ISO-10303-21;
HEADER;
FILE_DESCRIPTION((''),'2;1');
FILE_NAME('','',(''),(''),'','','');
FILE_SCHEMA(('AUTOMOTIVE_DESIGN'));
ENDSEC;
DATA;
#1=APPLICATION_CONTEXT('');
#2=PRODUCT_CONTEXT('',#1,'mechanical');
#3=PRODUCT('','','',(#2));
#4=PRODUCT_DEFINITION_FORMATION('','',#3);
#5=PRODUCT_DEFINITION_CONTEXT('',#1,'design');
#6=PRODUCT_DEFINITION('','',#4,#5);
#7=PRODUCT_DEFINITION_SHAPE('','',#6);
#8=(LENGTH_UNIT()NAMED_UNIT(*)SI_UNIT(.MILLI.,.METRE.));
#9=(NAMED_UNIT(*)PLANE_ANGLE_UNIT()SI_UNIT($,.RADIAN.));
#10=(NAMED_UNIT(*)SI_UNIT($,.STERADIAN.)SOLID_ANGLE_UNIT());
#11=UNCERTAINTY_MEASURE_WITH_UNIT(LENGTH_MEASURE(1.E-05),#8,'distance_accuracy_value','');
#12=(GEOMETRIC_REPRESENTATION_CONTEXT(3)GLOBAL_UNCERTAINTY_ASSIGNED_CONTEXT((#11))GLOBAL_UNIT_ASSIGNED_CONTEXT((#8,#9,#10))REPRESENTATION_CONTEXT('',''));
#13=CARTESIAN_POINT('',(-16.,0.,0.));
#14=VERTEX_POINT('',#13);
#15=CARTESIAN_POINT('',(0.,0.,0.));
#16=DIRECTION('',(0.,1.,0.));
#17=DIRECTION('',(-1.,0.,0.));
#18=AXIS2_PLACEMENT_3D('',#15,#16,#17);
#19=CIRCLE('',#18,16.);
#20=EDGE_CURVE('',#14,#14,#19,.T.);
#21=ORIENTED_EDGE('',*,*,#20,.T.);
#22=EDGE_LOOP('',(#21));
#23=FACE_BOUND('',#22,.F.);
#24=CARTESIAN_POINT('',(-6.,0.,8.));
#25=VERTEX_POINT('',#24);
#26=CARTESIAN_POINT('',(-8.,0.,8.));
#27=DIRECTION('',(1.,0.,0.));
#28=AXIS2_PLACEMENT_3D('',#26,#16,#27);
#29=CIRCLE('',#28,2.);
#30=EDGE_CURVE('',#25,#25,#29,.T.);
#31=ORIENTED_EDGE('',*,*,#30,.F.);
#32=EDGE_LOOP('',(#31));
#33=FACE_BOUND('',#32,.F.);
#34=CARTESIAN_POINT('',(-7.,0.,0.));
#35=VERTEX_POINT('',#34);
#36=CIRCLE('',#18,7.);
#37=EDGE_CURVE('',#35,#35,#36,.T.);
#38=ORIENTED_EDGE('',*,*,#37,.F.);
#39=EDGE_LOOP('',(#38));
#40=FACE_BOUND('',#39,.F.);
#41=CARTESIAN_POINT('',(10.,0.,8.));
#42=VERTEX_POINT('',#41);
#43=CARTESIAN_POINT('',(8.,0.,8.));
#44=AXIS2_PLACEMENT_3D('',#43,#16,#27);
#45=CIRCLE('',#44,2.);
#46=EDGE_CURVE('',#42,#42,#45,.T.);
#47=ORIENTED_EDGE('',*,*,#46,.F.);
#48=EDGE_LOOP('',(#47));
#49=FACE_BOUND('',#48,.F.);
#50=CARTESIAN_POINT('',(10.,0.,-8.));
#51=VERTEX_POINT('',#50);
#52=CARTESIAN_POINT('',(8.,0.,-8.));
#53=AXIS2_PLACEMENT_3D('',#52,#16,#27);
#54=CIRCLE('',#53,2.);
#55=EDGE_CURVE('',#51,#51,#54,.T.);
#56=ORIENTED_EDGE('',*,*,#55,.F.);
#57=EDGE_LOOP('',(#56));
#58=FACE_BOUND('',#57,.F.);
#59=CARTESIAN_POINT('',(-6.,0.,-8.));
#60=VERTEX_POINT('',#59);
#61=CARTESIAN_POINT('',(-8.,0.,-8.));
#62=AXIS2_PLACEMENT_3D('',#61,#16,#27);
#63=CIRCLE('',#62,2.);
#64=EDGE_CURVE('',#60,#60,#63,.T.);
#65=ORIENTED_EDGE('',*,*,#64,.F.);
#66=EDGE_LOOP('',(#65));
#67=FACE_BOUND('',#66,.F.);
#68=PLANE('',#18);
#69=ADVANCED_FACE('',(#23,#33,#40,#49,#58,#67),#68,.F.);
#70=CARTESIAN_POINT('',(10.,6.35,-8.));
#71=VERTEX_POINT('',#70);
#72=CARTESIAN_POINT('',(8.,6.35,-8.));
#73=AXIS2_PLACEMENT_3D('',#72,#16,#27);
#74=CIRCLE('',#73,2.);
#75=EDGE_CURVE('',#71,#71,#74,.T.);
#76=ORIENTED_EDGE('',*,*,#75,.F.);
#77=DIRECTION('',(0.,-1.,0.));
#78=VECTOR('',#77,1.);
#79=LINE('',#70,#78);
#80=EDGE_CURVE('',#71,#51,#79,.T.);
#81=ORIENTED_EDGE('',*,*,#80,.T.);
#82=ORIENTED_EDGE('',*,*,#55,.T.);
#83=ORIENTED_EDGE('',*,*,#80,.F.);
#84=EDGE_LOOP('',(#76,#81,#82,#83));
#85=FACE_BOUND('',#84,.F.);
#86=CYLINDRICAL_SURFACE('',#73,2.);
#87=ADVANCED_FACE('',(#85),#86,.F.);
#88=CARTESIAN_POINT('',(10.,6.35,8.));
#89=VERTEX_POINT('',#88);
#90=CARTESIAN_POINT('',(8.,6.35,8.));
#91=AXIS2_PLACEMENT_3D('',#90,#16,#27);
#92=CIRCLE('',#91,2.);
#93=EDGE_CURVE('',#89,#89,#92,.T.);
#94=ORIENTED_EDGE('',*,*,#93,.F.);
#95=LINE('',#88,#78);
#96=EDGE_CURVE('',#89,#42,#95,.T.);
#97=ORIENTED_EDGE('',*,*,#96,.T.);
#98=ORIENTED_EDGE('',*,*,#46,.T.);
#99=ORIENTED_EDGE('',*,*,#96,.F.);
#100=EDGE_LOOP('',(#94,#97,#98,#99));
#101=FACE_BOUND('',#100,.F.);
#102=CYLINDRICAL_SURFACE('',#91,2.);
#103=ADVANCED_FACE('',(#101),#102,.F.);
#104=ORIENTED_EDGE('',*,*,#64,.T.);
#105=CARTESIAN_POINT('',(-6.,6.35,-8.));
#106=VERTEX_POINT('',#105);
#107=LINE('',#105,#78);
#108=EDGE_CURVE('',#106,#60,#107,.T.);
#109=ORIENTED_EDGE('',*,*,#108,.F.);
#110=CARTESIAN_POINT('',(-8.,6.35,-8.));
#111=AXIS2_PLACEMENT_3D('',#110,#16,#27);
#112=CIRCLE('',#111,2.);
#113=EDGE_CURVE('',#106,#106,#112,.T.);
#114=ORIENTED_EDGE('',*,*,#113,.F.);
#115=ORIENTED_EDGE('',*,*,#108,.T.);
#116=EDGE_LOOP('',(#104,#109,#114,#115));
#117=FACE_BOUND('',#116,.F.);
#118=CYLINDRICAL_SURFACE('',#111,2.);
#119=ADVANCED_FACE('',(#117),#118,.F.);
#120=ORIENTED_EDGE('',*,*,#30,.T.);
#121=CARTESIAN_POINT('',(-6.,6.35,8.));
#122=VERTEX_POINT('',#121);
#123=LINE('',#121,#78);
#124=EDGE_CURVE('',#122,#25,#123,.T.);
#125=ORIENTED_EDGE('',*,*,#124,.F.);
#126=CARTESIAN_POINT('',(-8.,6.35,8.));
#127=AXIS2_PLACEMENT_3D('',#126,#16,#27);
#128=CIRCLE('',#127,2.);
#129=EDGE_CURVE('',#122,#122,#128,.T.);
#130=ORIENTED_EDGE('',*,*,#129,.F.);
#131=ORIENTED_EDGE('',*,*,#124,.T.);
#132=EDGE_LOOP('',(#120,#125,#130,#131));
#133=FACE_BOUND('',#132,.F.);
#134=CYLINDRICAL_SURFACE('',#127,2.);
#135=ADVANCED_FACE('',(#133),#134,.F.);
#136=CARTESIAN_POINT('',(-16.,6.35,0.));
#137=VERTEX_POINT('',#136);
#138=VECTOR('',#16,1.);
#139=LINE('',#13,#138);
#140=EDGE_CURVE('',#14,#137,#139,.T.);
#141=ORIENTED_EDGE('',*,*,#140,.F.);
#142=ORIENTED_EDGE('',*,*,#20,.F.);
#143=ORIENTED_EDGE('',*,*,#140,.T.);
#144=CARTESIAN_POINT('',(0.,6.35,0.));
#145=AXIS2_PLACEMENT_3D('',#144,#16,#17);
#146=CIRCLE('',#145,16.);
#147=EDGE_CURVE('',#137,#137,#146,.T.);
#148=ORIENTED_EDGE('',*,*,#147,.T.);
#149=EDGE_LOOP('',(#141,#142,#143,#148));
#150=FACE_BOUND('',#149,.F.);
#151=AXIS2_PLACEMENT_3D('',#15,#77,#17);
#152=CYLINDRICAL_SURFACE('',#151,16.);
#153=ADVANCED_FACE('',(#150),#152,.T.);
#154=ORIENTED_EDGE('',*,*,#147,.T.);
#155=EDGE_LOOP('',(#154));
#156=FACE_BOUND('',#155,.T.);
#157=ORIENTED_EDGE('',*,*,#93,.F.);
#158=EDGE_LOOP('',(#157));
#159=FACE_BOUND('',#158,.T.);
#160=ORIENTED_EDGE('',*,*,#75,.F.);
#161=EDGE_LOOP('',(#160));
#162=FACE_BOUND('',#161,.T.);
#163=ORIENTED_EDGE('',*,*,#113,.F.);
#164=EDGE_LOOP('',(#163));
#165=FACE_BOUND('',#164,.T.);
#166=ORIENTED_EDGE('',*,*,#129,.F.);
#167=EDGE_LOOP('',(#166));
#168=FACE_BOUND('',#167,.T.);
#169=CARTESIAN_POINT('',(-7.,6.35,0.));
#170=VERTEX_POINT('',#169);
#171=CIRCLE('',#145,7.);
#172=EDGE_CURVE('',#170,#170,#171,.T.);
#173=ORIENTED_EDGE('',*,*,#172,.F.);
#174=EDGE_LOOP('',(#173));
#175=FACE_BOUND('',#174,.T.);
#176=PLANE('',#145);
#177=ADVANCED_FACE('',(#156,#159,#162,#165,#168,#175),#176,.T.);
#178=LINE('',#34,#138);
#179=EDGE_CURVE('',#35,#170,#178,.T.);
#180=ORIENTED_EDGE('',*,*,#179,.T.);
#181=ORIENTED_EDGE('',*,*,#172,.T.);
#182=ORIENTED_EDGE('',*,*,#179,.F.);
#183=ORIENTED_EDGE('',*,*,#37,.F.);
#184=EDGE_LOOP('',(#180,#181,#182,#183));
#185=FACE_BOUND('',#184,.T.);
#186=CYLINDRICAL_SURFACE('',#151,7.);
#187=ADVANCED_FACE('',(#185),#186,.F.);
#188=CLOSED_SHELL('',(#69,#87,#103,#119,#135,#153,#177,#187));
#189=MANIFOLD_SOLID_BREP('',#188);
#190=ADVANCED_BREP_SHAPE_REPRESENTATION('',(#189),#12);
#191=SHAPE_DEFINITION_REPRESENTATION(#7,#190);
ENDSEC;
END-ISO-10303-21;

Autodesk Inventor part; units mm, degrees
ref_plane "YZ Plane" through (0, 0, 0) normal (1, 0, 0) x (0, 1, 0)
ref_plane "XZ Plane" through (0, 0, 0) normal (0, 1, 0) x (-1, 0, 0)
ref_plane "XY Plane" through (0, 0, 0) normal (0, 0, 1) x (1, 0, 0)
sketch "Sketch1" plane through (0, 0, 0) normal (0, 1, 0) x (-1, 0, 0)
  circle A0 centre (0, 0) radius 7
  circle A1 centre (0, 0) radius 16
  dimension "d0" = 14
  dimension "d1" = 32
extrude "Extrusion1" add sketch "Sketch1" along normal blind 6.35
sketch "Sketch2" plane through (0, 6.35, 0) normal (0, 1, 0) x (1, 0, 0)
  circle A0 centre (-8, 8) radius 2
  circle A1 centre (-8, -8) radius 2
  circle A2 centre (8, -8) radius 2
  circle A3 centre (8, 8) radius 2
  point P0 (0, 0)
  dimension "d4" = 4
  dimension "d5" = 8
  dimension "d6" = 8
  dimension "d9" = 360
extrude "Extrusion2" cut sketch "Sketch2" against normal through all
properties part number "TurretMotorSpacer"
